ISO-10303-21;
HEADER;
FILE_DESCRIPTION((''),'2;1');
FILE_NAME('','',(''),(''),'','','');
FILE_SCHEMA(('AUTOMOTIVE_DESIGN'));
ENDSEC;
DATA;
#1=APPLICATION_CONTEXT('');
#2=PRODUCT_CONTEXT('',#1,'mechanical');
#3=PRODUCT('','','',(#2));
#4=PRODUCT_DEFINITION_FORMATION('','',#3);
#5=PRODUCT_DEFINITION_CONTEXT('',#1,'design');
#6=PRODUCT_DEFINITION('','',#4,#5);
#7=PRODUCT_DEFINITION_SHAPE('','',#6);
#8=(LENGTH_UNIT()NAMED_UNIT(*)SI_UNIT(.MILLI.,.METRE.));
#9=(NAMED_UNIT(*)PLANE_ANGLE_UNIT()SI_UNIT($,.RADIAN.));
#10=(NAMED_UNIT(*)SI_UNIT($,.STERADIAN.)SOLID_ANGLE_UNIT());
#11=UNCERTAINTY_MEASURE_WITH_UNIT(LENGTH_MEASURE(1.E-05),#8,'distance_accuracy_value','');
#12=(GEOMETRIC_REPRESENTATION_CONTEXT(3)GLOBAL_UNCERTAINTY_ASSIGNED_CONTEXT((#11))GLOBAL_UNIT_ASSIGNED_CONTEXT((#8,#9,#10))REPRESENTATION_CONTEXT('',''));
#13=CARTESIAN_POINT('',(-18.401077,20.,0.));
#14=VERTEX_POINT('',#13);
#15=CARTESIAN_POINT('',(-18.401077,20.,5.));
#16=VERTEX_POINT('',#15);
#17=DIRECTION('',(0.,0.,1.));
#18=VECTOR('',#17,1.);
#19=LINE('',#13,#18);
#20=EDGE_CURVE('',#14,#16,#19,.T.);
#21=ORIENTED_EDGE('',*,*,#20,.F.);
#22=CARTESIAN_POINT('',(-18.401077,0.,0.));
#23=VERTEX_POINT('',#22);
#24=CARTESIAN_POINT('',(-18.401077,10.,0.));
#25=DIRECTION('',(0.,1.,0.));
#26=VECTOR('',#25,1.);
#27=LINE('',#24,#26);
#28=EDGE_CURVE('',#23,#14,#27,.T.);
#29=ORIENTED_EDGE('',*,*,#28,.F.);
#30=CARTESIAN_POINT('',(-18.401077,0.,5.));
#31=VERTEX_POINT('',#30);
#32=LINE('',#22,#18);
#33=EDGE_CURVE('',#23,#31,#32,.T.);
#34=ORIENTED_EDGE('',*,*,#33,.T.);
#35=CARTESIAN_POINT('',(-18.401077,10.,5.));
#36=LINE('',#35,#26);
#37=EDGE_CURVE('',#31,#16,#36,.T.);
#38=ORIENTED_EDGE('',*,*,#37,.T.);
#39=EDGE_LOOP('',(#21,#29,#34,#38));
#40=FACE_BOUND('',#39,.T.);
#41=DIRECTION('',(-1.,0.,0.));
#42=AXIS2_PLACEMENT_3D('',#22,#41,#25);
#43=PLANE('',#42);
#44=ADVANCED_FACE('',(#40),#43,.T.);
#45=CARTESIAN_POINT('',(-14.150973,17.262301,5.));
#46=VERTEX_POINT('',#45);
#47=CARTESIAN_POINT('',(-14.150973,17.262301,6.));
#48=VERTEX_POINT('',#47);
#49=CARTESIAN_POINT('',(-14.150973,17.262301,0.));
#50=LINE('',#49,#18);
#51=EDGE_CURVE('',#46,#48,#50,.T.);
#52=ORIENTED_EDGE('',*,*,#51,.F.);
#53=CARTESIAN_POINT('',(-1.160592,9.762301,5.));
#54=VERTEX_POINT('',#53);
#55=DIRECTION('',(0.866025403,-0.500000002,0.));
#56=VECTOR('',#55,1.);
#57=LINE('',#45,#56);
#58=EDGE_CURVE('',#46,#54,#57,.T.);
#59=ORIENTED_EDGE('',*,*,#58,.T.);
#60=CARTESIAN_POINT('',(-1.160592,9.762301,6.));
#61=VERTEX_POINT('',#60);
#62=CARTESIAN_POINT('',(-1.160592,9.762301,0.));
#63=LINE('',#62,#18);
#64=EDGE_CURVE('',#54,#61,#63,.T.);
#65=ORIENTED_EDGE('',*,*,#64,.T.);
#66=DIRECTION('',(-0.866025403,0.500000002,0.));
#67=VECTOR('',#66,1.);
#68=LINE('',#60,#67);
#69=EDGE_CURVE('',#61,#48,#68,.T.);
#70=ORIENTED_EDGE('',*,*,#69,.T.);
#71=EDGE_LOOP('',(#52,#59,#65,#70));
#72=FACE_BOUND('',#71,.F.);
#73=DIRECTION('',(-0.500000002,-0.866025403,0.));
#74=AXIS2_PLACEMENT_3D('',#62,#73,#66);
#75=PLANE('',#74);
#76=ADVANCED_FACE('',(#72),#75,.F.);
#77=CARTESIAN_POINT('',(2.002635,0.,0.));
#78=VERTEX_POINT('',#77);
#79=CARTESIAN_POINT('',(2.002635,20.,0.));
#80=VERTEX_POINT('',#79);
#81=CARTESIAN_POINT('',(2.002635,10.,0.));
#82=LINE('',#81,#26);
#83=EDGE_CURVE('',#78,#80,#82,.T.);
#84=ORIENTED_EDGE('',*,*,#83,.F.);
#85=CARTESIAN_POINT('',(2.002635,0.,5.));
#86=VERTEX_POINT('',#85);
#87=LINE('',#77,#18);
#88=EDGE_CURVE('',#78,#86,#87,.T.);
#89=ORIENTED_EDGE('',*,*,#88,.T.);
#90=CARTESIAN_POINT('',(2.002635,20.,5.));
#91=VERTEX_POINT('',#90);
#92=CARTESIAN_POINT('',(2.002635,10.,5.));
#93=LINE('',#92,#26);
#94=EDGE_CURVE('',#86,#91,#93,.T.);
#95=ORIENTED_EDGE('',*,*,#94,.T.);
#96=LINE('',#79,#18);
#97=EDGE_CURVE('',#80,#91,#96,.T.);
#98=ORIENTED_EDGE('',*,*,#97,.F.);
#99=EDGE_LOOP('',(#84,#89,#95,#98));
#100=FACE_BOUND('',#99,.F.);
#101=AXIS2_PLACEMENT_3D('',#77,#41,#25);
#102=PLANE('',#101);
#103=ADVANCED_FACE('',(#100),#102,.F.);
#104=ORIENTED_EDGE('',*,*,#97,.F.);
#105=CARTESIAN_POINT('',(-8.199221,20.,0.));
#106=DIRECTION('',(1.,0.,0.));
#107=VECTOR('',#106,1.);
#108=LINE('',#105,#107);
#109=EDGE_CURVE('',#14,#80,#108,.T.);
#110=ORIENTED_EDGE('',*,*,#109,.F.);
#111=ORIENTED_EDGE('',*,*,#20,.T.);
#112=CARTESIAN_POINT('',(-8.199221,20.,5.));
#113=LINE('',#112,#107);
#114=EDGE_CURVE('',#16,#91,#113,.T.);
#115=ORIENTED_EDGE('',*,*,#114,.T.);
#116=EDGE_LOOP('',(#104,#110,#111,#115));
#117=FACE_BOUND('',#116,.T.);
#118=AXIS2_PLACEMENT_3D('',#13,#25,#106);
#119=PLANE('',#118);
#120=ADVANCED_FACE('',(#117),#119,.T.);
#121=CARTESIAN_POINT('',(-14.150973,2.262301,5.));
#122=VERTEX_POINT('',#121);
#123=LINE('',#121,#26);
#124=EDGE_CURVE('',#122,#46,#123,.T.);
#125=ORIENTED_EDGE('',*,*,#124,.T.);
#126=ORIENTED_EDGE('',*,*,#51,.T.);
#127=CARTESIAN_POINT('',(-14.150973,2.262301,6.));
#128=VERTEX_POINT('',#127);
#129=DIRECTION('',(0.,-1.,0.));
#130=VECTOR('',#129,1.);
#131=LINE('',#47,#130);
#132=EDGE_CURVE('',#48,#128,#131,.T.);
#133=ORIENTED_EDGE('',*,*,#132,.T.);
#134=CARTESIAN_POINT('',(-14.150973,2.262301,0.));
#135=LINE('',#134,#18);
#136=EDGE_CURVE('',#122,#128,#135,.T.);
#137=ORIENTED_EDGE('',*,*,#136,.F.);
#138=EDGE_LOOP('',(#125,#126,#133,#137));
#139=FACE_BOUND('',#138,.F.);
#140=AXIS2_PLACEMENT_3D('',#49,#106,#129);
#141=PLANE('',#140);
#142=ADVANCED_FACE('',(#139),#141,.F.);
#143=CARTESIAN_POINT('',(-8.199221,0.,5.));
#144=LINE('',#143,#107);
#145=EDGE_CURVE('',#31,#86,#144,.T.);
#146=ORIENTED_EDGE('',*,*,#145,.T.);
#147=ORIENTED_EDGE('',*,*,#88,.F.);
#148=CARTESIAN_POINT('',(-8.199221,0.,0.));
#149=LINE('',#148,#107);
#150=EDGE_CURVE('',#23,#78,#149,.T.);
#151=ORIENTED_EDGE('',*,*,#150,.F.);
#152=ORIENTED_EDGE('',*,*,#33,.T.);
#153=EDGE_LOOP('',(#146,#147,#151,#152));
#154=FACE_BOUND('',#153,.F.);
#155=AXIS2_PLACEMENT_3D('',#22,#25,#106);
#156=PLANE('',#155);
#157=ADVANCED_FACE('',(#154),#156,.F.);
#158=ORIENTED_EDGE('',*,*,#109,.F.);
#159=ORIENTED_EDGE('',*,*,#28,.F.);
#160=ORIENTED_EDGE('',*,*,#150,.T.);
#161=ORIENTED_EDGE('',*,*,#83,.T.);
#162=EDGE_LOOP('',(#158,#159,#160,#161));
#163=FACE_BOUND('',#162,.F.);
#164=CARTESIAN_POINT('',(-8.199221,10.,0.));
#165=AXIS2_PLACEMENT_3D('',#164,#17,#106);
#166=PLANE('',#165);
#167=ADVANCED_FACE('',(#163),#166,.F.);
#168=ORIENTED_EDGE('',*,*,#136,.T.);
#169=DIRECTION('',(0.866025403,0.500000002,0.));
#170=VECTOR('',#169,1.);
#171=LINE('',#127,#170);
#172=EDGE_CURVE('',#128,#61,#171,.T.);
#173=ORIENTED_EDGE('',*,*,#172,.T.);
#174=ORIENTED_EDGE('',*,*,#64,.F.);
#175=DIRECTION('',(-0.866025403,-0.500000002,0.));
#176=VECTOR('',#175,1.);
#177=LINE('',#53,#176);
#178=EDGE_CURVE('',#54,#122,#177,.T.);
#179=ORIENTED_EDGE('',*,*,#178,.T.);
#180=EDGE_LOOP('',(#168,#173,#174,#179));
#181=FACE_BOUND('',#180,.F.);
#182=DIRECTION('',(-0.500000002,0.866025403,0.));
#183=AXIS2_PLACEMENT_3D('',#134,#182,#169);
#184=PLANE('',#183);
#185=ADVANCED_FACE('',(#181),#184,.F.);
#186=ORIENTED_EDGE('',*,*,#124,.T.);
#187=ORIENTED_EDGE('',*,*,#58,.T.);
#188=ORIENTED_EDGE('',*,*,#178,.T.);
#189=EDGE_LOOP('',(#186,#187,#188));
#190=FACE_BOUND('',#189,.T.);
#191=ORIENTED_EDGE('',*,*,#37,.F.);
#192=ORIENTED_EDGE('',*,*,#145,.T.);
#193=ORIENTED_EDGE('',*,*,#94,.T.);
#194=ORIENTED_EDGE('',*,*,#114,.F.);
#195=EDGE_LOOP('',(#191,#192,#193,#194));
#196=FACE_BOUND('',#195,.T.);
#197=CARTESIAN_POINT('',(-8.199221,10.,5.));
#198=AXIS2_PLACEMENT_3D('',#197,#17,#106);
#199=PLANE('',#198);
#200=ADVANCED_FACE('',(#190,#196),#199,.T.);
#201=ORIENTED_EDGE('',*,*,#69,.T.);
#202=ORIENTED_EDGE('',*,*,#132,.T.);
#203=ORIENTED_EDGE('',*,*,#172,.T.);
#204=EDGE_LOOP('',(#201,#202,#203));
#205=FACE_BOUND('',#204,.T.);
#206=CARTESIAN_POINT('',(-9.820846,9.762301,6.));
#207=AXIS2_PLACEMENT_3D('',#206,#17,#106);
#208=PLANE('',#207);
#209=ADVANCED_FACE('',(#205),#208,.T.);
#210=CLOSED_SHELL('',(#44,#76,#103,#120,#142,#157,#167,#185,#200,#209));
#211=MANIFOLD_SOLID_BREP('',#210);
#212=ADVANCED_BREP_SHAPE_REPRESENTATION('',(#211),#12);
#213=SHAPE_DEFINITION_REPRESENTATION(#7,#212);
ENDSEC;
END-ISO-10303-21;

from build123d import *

# Parameters (mm, degrees)
F1_DEPTH = 6
F0_W     = 20.403712
F0_H     = 20
F2_DEPTH = 5


with BuildPart() as f1:
    # F0 (on Top) → F1 (new body)
    with BuildSketch(Plane.XY):
        Polygon((-1.160592, 9.762301), (-14.150973, 17.262301), (-14.150973, 2.262301), align=None)
    extrude(amount=F1_DEPTH)

    # F0 (on Top) → F2 (join)
    with BuildSketch(Plane.XY):
        with Locations((-8.199221, 10)):
            Rectangle(F0_W, F0_H)
        Polygon((-14.150973, 2.262301), (-14.150973, 17.262301), (-1.160592, 9.762301), align=None, mode=Mode.SUBTRACT)
    extrude(amount=F2_DEPTH)


solid = f1.part
